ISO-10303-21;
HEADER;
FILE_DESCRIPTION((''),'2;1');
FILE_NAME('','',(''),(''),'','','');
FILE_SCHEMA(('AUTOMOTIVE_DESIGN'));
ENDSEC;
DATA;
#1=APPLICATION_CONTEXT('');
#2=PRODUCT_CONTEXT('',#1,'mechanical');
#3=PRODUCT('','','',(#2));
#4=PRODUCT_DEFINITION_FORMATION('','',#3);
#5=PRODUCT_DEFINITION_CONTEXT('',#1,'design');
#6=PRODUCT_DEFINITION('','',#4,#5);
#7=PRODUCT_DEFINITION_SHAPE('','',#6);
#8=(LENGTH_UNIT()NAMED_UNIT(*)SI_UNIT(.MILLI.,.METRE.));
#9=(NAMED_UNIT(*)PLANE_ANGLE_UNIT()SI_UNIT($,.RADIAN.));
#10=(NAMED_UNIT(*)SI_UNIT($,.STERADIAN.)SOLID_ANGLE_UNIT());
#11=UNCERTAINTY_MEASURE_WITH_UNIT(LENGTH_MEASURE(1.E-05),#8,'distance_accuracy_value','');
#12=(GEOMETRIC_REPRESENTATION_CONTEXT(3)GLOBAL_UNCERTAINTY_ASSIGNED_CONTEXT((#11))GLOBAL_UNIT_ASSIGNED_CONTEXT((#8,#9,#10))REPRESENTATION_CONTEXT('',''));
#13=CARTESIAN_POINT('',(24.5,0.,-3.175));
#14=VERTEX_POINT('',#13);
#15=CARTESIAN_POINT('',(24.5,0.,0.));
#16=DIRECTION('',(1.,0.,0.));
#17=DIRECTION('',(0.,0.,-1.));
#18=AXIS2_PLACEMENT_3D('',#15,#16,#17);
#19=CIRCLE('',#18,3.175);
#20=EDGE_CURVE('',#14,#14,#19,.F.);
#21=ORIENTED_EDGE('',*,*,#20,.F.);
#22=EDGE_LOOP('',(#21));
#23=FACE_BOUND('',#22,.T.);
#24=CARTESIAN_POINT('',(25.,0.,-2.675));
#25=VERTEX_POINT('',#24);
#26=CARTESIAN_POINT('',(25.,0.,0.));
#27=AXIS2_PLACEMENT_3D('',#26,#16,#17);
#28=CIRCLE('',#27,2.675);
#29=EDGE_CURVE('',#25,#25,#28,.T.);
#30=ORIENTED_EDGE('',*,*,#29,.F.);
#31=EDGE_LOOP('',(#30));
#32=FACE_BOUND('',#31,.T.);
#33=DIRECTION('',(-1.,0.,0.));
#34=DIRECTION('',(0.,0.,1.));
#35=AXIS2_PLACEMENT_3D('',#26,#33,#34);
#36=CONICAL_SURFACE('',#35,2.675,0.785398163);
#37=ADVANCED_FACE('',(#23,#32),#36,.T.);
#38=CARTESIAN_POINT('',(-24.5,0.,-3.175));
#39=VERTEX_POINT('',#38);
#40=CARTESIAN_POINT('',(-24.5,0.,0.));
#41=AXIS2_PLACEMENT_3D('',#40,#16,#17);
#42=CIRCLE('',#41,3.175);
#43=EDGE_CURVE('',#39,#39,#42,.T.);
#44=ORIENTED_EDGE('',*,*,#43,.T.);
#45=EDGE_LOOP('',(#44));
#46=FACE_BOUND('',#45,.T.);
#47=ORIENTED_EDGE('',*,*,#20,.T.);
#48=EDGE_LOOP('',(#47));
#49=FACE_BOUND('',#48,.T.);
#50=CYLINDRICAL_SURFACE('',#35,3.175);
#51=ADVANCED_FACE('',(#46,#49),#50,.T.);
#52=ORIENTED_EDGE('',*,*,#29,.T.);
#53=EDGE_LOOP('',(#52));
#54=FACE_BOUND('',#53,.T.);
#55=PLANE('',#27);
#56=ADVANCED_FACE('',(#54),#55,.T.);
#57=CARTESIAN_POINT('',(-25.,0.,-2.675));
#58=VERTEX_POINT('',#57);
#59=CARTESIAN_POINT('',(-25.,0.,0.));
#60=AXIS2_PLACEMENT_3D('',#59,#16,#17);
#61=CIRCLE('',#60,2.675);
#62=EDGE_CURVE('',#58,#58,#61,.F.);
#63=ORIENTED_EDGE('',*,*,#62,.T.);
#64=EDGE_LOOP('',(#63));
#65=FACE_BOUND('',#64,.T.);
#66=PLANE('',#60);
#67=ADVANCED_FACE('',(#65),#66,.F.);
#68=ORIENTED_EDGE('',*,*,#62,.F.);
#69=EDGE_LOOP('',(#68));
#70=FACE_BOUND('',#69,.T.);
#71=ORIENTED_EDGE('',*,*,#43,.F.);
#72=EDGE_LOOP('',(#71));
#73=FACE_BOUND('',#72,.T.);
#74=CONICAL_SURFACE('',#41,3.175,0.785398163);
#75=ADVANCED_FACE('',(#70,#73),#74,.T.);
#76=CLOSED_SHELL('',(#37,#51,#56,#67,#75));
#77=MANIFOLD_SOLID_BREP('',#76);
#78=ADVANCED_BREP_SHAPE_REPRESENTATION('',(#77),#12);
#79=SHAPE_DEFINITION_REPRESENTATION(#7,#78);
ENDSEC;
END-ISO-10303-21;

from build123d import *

# Parameters (mm, degrees)
SKETCH_1_R        = 3.175
EXTRUDE_256_DEPTH = 25
CHAMFER_300_SIZE  = 0.5


with BuildPart() as part:
    # 草图1 → Extrude 256 (new, symmetric)
    with BuildSketch(Plane(origin=(0, 0, 0), x_dir=(0, 0, -1), z_dir=(1, 0, 0))):
        Circle(SKETCH_1_R)
    extrude(amount=EXTRUDE_256_DEPTH, both=True)

    # Chamfer 300
    chamfer_300_edges = [part.edges().sort_by_distance(p)[0] for p in [
        (-25, 0, 3.175),
        (25, 0, 3.175),
    ]]
    chamfer(chamfer_300_edges, length=CHAMFER_300_SIZE)


solid = part.part
